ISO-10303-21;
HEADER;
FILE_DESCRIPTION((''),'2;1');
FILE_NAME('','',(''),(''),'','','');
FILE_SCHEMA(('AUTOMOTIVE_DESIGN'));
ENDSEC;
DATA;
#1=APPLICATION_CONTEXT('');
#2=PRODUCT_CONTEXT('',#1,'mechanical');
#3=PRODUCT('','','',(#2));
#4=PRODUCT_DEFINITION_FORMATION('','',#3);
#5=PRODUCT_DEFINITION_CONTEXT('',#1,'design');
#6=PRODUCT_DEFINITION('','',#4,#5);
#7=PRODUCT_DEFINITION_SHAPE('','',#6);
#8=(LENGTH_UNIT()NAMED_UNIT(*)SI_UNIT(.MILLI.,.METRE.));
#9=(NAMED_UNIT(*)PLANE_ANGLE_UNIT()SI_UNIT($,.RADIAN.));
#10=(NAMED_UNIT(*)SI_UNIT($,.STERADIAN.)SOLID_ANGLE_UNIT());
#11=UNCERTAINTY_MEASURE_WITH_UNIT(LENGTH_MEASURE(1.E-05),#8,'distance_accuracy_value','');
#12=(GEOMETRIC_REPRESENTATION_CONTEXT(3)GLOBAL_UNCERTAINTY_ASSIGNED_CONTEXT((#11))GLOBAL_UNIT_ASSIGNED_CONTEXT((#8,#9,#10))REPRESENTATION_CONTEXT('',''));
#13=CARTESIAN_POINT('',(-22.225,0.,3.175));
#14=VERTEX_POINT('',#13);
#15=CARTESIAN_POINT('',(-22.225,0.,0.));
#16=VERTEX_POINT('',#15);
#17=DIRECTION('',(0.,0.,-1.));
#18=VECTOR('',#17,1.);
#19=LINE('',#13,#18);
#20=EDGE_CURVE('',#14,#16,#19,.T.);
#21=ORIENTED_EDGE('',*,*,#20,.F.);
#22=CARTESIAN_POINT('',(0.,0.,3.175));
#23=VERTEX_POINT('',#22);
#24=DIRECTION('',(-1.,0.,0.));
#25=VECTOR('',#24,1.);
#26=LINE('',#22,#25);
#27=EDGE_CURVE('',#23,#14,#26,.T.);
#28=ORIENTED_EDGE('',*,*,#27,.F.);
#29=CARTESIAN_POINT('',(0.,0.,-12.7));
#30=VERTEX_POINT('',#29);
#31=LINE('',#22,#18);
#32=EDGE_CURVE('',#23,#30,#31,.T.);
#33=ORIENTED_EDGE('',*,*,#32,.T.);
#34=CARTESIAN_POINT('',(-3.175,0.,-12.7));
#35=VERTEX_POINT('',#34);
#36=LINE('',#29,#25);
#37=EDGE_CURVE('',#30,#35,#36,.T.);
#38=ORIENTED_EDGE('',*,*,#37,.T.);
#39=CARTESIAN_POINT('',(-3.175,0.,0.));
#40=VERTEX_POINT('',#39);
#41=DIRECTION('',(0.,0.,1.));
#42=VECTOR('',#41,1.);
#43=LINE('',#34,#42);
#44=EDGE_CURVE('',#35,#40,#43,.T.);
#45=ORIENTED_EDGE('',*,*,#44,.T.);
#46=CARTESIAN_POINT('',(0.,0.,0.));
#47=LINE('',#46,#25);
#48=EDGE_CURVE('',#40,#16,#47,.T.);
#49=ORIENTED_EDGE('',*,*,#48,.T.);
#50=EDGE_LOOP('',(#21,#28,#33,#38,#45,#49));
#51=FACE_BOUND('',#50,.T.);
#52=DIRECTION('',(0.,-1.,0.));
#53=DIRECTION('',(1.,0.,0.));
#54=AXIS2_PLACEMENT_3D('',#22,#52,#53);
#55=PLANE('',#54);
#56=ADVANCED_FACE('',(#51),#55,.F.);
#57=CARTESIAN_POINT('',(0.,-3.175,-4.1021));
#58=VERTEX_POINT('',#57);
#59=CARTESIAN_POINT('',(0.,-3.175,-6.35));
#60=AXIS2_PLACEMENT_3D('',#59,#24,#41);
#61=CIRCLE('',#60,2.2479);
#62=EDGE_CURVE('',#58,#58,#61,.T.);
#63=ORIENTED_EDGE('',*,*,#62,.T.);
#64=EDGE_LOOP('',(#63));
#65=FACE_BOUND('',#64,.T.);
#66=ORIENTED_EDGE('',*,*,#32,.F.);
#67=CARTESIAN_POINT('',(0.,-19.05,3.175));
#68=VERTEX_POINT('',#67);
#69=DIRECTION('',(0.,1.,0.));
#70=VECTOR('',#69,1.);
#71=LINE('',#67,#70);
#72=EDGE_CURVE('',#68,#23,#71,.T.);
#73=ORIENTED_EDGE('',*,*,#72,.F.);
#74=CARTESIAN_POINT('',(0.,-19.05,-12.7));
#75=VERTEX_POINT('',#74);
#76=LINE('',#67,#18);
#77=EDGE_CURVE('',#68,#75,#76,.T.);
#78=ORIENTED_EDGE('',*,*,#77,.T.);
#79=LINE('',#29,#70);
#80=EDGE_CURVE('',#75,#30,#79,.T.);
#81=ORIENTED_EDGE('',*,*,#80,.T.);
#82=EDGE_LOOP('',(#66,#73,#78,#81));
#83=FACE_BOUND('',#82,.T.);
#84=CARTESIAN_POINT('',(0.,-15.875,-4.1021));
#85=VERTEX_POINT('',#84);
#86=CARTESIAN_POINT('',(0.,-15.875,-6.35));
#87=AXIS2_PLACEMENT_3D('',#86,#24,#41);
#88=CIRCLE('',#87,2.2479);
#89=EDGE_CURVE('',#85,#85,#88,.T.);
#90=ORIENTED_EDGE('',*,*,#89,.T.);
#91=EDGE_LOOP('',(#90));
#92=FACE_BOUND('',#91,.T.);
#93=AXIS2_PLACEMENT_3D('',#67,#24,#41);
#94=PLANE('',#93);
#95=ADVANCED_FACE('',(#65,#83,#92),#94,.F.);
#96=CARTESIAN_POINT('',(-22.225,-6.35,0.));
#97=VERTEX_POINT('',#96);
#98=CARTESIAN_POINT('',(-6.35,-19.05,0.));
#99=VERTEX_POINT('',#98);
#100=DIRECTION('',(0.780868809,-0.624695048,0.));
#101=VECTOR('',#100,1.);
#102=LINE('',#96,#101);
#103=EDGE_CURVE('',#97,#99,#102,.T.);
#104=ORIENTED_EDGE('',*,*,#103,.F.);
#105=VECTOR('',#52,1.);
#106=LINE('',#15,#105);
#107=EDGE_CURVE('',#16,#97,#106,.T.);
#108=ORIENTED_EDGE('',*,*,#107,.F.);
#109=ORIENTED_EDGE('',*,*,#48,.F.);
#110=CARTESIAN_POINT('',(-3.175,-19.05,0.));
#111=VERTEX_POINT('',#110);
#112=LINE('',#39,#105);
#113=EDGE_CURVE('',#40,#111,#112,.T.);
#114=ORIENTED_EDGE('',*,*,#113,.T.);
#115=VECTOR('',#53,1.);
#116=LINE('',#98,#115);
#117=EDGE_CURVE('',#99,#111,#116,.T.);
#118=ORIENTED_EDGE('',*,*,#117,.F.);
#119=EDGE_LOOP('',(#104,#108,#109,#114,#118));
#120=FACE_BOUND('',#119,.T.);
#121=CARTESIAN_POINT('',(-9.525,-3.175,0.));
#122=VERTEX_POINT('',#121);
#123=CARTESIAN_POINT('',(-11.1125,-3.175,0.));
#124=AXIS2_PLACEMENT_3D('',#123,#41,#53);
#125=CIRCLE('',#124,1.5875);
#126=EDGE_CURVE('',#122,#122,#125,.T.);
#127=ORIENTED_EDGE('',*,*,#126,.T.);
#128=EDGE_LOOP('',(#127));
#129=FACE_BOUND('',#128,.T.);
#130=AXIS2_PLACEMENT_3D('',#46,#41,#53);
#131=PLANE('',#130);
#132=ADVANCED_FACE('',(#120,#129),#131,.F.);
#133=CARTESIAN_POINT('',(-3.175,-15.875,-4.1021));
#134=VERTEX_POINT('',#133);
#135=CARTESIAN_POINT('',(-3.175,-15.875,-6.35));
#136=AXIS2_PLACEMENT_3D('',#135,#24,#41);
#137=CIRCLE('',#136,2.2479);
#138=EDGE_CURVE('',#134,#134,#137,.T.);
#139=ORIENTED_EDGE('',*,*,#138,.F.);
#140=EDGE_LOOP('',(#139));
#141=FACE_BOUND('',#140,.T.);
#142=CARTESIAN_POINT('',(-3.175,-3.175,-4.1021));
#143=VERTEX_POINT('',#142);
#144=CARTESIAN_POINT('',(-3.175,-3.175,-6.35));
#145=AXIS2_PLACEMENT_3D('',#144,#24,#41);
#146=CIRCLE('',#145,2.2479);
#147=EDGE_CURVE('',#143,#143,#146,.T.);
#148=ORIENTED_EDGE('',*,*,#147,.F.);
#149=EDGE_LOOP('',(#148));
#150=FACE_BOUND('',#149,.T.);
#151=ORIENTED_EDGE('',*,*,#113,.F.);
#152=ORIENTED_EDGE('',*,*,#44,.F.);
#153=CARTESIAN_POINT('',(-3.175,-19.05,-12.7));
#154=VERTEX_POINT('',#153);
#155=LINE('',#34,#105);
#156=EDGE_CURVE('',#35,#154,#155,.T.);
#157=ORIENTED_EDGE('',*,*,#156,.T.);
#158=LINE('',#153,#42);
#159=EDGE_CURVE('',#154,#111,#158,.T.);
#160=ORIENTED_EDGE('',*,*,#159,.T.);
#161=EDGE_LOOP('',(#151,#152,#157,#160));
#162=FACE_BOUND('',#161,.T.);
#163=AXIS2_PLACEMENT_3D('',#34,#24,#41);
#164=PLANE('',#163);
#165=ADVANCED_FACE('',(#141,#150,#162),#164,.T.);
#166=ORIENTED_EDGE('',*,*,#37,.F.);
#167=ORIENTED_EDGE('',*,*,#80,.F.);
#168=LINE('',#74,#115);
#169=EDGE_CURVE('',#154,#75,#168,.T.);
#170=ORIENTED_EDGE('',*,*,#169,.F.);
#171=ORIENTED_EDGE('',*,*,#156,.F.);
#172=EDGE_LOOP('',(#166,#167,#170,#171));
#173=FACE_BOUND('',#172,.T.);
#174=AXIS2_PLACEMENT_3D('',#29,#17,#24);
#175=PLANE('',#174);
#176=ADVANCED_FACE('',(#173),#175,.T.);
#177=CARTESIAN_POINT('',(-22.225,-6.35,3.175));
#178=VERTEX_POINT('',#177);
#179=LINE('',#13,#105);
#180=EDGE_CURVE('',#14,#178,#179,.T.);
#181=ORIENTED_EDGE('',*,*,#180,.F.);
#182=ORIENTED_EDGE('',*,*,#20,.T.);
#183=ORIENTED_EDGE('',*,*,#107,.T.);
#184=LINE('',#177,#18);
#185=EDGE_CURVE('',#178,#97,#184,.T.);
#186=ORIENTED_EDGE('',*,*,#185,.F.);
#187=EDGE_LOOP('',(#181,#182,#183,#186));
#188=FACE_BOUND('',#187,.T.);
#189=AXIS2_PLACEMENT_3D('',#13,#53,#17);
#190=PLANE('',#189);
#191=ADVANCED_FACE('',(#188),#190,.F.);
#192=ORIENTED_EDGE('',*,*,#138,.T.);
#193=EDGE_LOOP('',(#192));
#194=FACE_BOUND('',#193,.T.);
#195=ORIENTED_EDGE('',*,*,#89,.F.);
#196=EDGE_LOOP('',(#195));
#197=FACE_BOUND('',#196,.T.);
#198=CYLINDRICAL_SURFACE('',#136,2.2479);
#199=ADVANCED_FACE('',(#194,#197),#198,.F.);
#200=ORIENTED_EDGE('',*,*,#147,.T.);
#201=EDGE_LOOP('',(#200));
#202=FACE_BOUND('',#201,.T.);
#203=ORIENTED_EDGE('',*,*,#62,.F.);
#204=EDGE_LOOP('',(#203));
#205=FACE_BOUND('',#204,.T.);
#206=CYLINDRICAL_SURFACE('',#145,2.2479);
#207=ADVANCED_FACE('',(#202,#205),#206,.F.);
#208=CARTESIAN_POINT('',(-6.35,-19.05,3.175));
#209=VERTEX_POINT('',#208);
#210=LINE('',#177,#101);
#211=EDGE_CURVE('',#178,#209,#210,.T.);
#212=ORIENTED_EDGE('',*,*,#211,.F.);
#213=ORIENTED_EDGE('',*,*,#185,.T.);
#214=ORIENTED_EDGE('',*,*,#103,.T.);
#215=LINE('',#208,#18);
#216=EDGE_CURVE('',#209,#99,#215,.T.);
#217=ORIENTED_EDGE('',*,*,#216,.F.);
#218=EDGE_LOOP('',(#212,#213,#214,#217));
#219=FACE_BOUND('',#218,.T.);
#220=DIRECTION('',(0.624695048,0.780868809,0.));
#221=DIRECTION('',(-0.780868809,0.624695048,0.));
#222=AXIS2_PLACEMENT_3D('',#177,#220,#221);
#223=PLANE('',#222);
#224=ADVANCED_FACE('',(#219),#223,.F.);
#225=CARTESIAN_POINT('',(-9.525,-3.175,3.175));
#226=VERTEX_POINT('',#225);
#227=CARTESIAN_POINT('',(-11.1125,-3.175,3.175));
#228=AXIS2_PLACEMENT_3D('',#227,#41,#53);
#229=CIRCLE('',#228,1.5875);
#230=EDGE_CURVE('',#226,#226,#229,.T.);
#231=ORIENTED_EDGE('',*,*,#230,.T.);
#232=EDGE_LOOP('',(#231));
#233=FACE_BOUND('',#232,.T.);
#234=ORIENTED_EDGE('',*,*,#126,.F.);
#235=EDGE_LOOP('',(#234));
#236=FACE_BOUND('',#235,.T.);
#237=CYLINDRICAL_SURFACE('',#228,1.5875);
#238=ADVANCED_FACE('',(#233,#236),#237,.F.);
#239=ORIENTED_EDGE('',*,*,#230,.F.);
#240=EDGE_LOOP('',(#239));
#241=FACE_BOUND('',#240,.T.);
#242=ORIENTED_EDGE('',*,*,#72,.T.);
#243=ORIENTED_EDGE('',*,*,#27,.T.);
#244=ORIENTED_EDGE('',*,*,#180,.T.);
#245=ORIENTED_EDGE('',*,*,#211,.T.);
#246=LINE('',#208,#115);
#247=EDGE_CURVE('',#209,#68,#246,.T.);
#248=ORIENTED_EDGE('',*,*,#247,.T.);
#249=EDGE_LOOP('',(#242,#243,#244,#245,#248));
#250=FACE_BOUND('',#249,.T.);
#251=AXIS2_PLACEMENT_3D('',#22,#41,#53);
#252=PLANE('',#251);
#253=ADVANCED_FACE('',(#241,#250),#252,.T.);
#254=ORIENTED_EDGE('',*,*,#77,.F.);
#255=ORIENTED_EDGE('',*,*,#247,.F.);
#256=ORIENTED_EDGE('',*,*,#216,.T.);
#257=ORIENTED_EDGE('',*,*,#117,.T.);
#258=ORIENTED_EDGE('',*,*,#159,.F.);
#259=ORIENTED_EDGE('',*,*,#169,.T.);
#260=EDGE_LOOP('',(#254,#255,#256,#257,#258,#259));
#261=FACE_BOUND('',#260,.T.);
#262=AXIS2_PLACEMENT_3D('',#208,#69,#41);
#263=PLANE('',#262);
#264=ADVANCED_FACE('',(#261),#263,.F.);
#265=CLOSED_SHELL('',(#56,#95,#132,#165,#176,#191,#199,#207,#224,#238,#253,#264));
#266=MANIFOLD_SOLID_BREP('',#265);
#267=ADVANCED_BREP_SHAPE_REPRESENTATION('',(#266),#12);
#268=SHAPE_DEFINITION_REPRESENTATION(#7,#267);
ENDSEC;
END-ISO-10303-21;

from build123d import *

# Parameters (mm, degrees)
BOSS_EXTRUDE1_DEPTH        = 3.175
F_1_8_0_1250_DOWEL_HOLE2_D = 3.175
SKETCH7_W                  = 3.175
SKETCH7_H                  = 19.05
BOSS_EXTRUDE2_DEPTH        = 15.875
F_8_CLEARANCE_HOLE1_D      = 4.4958


with BuildPart() as part:
    # Sketch1 → Boss-Extrude1 (new body)
    with BuildSketch(Plane.XY):
        Polygon((0, 0), (-22.225, 0), (-22.225, -6.35), (-6.35, -19.05), (0, -19.05), align=None)
    extrude(amount=BOSS_EXTRUDE1_DEPTH)

    # 1/8 (0.1250) Dowel Hole2 (through all)
    with Locations(Plane.XY.offset(3.175)):
        with Locations((-11.1125, -3.175)):
            Hole(F_1_8_0_1250_DOWEL_HOLE2_D / 2)

    # Sketch7 → Boss-Extrude2 (add)
    with BuildSketch(Plane.XY.offset(3.175)):
        with Locations((-1.5875, -9.525)):
            Rectangle(SKETCH7_W, SKETCH7_H)
    extrude(amount=-BOSS_EXTRUDE2_DEPTH)

    # #8 Clearance Hole1 (through all)
    with Locations(Plane.ZY.offset(3.175)):
        with Locations((-6.35, -15.875), (-6.35, -3.175)):
            Hole(F_8_CLEARANCE_HOLE1_D / 2)


solid = part.part
